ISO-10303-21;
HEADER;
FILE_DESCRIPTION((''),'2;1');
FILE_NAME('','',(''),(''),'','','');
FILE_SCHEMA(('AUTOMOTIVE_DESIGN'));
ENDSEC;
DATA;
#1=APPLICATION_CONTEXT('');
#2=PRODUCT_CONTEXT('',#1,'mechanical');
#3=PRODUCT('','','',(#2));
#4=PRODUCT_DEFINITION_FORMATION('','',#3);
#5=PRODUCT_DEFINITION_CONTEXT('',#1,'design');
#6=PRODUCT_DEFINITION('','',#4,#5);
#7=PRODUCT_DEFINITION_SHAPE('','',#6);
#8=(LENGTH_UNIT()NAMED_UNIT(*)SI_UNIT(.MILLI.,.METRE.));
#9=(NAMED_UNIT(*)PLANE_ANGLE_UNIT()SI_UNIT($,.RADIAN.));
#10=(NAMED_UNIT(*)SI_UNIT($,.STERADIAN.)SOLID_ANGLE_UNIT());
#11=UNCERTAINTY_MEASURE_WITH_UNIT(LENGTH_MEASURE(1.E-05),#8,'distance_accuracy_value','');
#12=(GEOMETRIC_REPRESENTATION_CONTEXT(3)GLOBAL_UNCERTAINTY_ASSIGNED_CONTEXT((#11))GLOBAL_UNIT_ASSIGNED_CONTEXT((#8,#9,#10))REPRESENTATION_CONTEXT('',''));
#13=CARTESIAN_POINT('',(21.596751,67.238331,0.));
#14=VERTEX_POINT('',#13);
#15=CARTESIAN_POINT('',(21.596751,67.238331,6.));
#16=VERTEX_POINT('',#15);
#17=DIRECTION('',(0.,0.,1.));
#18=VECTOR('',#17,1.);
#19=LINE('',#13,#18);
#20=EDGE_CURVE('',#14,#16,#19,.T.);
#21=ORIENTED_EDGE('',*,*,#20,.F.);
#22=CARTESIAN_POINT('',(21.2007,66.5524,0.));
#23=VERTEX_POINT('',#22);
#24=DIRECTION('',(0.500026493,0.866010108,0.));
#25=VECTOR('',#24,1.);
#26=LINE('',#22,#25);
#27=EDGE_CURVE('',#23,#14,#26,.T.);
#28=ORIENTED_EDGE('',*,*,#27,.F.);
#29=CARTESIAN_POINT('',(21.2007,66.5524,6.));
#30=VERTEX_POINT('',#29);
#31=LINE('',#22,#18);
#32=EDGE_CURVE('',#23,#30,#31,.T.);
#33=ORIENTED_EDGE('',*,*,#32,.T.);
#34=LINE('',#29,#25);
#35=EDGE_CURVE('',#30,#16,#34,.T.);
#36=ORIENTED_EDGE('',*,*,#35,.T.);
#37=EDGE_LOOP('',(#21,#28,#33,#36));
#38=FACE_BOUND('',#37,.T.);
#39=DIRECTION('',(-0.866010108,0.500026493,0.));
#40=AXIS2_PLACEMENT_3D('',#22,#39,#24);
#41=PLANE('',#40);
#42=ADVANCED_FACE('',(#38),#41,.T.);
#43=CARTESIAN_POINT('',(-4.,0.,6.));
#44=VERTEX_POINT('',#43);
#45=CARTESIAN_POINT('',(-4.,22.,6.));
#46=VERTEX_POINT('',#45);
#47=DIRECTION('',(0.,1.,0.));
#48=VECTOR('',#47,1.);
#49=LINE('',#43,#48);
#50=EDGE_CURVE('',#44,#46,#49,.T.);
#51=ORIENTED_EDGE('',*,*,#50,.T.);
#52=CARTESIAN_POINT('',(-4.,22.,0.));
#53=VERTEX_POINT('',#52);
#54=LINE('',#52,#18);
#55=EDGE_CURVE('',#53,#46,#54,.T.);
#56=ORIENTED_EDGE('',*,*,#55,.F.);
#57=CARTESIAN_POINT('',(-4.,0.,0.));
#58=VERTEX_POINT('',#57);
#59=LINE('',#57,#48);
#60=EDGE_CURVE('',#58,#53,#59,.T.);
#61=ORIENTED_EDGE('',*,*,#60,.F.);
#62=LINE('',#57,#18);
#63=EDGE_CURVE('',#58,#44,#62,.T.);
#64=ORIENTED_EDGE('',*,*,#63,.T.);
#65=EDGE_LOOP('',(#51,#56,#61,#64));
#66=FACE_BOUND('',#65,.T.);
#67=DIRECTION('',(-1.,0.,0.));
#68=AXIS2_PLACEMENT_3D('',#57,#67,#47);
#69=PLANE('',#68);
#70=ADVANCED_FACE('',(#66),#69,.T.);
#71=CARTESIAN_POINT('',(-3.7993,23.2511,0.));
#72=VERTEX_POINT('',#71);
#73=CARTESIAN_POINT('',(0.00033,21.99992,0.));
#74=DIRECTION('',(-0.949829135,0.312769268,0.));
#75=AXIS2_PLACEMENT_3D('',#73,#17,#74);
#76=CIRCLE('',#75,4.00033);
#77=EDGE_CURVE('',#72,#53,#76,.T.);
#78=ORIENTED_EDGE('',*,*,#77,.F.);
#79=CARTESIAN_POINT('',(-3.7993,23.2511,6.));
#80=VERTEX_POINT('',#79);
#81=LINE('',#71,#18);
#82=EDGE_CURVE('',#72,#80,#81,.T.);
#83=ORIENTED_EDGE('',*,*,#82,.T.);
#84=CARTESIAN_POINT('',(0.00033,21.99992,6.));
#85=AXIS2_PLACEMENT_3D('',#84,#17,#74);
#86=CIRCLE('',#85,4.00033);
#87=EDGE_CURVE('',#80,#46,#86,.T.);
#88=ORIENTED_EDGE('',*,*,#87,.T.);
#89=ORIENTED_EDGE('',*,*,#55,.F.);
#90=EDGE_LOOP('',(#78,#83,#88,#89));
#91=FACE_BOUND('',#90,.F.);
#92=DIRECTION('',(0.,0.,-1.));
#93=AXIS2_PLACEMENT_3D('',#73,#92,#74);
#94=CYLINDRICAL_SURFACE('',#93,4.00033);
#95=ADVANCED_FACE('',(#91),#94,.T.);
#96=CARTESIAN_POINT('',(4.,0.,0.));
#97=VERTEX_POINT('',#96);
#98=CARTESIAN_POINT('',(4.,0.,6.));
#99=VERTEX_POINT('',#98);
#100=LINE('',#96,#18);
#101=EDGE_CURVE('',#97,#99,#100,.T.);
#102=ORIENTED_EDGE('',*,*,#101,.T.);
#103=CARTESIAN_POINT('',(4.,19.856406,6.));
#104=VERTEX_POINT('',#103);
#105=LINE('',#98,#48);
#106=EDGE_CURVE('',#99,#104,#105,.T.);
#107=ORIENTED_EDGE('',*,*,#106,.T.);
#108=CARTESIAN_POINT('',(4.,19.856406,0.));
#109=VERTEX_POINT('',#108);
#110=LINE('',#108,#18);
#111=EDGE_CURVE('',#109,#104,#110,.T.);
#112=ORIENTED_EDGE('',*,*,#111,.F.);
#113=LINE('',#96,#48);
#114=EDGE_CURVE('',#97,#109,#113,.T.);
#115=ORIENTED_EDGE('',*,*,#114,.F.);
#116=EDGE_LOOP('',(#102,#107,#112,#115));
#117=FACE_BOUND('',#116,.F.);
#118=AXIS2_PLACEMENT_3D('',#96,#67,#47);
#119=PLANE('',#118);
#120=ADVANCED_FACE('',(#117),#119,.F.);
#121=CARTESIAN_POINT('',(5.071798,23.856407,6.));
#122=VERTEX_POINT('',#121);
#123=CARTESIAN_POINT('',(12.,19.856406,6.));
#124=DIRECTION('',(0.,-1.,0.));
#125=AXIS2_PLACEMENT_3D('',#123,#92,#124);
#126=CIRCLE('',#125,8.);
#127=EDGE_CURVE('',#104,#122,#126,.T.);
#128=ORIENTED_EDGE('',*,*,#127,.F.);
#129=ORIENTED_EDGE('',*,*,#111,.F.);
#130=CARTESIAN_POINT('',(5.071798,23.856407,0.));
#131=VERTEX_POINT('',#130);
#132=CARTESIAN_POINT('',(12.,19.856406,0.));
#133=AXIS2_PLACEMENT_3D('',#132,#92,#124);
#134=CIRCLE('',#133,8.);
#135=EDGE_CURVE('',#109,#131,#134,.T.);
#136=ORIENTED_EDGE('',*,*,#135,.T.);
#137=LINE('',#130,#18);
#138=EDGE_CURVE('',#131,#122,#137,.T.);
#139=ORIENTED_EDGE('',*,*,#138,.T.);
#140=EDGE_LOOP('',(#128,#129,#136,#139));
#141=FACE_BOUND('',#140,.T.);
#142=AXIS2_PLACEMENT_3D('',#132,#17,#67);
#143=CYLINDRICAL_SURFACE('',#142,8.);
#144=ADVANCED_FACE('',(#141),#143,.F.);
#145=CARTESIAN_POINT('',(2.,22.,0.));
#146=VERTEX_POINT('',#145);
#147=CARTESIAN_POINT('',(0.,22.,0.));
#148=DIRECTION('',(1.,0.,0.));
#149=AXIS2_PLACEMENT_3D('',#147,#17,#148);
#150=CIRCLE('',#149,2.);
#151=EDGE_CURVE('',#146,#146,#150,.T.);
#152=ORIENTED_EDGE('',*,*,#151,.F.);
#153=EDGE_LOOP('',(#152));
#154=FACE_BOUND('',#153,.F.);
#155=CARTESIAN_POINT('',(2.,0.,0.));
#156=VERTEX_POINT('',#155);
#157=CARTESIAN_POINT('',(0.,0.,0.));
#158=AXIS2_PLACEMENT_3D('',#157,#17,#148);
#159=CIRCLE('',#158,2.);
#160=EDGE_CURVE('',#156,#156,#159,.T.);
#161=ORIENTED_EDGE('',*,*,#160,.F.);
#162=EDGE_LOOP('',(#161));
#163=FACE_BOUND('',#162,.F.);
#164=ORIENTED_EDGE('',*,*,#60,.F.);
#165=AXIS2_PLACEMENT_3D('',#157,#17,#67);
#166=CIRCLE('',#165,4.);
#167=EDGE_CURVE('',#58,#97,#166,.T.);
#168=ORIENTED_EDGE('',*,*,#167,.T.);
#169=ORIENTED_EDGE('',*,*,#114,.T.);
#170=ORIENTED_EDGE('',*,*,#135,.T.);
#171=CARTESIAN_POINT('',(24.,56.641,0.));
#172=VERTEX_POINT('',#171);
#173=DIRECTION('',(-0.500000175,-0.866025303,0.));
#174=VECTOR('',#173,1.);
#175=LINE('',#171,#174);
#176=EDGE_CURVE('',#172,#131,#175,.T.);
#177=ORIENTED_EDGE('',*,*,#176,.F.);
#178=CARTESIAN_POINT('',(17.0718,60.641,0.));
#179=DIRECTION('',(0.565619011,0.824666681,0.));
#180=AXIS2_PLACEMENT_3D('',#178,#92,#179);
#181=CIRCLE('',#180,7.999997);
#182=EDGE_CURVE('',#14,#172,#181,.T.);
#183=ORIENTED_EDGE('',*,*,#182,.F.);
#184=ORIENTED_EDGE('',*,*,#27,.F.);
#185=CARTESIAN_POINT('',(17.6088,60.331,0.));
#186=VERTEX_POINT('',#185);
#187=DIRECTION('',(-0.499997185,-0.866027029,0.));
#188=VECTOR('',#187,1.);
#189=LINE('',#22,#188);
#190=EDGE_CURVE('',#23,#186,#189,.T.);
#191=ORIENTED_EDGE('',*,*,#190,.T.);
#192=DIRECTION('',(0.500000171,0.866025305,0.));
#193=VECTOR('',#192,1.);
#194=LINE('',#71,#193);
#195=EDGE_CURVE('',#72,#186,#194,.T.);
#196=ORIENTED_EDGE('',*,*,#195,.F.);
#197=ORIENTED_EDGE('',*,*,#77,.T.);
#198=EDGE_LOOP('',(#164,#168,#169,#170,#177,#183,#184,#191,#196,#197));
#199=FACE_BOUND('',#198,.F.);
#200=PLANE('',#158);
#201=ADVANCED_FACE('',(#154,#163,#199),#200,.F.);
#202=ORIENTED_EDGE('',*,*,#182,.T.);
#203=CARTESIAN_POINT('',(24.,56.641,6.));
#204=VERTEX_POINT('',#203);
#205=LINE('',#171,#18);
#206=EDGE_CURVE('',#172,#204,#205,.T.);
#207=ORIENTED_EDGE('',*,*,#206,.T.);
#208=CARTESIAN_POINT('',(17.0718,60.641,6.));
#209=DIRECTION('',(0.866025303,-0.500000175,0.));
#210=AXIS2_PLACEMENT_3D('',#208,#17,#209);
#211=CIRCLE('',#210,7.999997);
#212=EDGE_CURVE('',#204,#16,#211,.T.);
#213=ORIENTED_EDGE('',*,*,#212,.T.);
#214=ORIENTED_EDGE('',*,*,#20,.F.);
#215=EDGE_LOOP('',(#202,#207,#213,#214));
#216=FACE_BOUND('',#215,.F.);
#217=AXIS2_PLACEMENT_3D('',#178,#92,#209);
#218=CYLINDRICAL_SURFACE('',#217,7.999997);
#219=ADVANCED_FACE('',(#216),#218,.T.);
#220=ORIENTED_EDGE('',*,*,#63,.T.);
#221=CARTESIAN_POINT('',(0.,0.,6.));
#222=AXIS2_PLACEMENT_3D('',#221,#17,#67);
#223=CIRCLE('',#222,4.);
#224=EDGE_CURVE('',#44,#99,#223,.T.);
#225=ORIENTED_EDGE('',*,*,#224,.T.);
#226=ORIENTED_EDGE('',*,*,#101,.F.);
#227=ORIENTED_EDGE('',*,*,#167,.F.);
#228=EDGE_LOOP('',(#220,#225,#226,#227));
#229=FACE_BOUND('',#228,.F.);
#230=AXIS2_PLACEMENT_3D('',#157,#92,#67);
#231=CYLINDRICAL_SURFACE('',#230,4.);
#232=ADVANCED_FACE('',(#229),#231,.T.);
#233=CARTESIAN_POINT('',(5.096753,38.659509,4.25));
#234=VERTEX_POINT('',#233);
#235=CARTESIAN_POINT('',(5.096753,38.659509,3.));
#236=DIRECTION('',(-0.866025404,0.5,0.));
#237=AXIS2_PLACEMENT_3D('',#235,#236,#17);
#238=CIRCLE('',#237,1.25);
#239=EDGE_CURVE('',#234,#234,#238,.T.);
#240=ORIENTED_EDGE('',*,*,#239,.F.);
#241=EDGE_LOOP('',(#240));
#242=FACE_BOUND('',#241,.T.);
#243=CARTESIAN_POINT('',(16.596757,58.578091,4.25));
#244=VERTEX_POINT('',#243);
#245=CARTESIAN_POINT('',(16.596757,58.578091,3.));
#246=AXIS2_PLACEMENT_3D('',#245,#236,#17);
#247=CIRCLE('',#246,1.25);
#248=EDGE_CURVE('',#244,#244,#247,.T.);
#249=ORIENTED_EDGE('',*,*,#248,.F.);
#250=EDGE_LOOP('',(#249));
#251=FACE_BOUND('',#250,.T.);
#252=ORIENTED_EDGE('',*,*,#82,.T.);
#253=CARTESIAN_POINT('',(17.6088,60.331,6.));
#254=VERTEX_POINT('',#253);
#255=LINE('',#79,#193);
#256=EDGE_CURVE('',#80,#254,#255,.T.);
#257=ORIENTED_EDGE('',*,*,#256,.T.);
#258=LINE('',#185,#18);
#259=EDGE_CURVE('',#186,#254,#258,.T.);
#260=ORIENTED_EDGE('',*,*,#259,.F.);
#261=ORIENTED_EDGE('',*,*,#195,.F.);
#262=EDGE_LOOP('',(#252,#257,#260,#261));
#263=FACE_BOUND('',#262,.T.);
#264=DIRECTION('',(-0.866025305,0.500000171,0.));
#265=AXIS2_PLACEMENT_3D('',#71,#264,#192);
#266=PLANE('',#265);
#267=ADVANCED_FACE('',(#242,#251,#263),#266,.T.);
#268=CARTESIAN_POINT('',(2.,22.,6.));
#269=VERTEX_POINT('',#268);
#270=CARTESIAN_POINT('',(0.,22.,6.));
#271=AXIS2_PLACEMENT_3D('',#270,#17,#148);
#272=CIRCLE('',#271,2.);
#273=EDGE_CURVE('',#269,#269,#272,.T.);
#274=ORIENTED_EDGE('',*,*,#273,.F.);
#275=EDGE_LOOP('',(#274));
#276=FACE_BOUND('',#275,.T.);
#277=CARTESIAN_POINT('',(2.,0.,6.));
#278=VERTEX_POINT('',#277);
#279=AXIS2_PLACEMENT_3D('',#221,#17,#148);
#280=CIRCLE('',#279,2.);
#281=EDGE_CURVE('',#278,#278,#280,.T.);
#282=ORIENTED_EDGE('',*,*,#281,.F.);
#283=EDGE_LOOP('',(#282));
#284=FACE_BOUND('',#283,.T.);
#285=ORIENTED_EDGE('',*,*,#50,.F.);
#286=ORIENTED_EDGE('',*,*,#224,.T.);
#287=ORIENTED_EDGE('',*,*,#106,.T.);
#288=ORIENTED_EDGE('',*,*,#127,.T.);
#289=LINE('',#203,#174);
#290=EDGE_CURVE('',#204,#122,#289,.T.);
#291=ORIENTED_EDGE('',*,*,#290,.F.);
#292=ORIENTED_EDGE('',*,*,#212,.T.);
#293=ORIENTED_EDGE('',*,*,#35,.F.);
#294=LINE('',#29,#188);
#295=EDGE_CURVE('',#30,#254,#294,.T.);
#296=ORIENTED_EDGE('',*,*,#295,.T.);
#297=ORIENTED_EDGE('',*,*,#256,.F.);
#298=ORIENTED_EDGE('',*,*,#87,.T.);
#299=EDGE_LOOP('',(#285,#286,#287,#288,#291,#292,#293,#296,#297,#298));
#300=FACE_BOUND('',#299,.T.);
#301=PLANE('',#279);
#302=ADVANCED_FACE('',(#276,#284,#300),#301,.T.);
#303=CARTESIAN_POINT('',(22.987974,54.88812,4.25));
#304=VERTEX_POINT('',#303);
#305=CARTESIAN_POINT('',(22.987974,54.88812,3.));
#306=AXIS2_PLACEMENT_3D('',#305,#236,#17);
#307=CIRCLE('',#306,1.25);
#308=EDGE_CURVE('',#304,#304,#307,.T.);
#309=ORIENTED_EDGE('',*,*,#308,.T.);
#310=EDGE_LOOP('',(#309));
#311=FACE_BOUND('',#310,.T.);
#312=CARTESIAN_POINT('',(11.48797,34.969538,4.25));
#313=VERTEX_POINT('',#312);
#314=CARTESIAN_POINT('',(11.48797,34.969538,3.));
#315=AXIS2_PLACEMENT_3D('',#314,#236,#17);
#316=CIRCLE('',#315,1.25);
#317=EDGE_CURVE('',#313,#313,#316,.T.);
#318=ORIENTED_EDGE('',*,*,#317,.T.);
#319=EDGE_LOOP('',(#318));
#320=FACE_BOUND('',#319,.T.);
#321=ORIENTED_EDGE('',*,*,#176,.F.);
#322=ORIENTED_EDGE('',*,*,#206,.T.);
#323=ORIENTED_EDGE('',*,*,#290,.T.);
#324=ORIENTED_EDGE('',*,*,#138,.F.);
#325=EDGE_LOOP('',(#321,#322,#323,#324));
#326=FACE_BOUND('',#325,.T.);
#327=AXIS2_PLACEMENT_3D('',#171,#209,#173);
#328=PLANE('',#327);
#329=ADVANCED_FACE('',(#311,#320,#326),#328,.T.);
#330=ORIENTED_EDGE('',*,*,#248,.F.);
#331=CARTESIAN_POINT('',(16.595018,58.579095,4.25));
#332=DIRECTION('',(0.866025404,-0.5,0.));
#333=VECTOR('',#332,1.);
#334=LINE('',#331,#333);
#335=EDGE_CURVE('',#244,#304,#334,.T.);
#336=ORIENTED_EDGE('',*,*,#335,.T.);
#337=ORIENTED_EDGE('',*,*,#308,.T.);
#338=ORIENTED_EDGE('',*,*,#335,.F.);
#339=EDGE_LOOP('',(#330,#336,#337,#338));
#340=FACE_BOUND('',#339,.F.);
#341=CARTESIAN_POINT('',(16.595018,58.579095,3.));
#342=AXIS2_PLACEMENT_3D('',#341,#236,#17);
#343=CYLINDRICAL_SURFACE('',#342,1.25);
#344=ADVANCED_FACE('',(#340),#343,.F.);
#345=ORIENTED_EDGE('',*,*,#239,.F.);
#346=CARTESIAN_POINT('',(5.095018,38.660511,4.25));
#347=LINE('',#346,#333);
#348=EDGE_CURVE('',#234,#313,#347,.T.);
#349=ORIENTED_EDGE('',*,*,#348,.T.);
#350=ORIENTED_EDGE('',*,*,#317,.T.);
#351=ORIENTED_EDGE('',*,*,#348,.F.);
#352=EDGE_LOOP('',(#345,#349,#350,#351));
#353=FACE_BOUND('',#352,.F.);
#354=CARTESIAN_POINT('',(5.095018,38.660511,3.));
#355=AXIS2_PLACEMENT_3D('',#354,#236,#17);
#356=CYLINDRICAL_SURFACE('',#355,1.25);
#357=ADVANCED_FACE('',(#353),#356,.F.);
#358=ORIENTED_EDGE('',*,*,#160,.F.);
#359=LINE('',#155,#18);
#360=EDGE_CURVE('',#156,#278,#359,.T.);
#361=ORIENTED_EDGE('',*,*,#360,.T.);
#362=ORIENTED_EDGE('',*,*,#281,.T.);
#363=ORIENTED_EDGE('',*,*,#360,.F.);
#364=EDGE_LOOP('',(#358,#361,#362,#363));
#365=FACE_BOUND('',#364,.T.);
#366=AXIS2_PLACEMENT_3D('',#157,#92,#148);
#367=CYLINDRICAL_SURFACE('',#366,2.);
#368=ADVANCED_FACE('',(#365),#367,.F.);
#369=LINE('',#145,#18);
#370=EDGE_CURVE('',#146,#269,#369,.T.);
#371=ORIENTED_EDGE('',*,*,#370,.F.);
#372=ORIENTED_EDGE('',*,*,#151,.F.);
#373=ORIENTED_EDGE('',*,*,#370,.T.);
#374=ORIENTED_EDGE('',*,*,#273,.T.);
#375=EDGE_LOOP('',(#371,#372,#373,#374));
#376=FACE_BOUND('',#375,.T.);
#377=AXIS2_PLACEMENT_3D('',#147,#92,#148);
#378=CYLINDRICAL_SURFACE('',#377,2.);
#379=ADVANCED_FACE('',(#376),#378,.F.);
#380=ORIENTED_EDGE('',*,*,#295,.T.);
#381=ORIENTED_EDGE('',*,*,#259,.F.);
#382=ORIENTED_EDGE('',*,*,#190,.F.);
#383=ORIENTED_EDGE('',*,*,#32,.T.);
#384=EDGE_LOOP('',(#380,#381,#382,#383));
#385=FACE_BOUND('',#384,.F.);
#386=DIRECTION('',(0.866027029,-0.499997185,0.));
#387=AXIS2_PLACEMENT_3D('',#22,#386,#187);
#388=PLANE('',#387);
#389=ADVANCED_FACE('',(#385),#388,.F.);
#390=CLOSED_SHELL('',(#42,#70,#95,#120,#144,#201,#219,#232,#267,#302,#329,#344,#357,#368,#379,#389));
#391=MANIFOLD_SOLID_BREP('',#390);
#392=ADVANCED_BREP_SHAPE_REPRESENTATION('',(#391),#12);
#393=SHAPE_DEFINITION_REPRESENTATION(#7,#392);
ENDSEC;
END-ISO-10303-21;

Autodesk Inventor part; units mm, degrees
ref_plane "YZ Plane" through (0, 0, 0) normal (1, 0, 0) x (0, 1, 0)
ref_plane "XZ Plane" through (0, 0, 0) normal (0, 1, 0) x (-1, 0, 0)
ref_plane "XY Plane" through (0, 0, 0) normal (0, 0, 1) x (1, 0, 0)
sketch "Sketch1" plane through (0, 0, 0) normal (0, 0, 1) x (1, 0, 0)
  circle A0 centre (0, 0) radius 2
  arc A1 (-4, 0) -> (4, 0) centre (0, 0) ccw
  line L0 (0, 0) -> (0, 22) construction
  circle A2 centre (0, 22) radius 2
  arc A3 (-3.7993, 23.2511) -> (-4, 22) centre (0, 22) ccw
  line L1 (0, 22) -> (25, 65.3013) construction
  circle A4 centre (25, 65.3013) radius 2
  arc A5 (27, 61.8372) -> (21.2007, 66.5524) centre (25, 65.3013) ccw
  line L2 (-4, 0) -> (-4, 22)
  line L3 (4, 0) -> (4, 22)
  line L4 (-3.7993, 23.2511) -> (17.6088, 60.331)
  line L5 (24, 56.641) -> (4, 22)
  line L6 (30.6468, 62.0411) -> (28.537, 63.2592)
  line L7 (27, 61.8372) -> (28, 63.5692)
  line L8 (21.2007, 66.5524) -> (17.6088, 60.331)
  line L9 (21.0718, 67.5692) -> (19.4047, 68.5317)
  line L10 (21.2007, 66.5524) -> (21.6088, 67.2592)
  arc A6 (24, 56.641) -> (21.0718, 67.5692) centre (17.0718, 60.641) ccw
  line L11 (27, 61.8372) -> (24, 56.641)
  point P0 (21.5269, 67.2857)
  point P1 (21.5967, 67.2384)
  dimension "d0" = 4
  dimension "d1" = 8
  dimension "d2" = 22
  dimension "d3" = 4
  dimension "d4" = 8
  dimension "d5" = 50
  dimension "d6" = 150
  dimension "d7" = 4
  dimension "d8" = 8
  dimension "d13" = 8
extrude "Extrusion1" add sketch "Sketch1" along normal blind 6 contours L2 A3 L4 L8 L10 A6 A4 L5 L3 A1 | A4 A6 picked at (23.7732, 64.4877)
fillet "Fillet1" radius 8 1 edges at (4, 22, 3)
sketch "Sketch2" plane through (-3.7993, 23.2511, 0) normal (-0.866, 0.5, 0) x (0, 0, 1)
  line L0 (0, 42.8162) -> (6, 42.8162) projected
  circle A0 centre (3, 17.7921) radius 1.25
  circle A1 centre (3, 40.7921) radius 1.25
  line L1 (0, 50.7921) -> (6, 50.7921) projected
  line L2 (0, 0) -> (6, 0) projected
  line L3 (-2.4062, 7.7921) -> (9.3174, 7.7921)
  point P0 (0, -18.2364)
  dimension "d15" = 2.5
  dimension "d16" = 2.5
  dimension "d17" = 10
  dimension "d19" = 43
  dimension "d20" = 10
extrude "Extrusion2" cut sketch "Sketch2" against normal blind 10
properties part number "Gripper 5-2"
